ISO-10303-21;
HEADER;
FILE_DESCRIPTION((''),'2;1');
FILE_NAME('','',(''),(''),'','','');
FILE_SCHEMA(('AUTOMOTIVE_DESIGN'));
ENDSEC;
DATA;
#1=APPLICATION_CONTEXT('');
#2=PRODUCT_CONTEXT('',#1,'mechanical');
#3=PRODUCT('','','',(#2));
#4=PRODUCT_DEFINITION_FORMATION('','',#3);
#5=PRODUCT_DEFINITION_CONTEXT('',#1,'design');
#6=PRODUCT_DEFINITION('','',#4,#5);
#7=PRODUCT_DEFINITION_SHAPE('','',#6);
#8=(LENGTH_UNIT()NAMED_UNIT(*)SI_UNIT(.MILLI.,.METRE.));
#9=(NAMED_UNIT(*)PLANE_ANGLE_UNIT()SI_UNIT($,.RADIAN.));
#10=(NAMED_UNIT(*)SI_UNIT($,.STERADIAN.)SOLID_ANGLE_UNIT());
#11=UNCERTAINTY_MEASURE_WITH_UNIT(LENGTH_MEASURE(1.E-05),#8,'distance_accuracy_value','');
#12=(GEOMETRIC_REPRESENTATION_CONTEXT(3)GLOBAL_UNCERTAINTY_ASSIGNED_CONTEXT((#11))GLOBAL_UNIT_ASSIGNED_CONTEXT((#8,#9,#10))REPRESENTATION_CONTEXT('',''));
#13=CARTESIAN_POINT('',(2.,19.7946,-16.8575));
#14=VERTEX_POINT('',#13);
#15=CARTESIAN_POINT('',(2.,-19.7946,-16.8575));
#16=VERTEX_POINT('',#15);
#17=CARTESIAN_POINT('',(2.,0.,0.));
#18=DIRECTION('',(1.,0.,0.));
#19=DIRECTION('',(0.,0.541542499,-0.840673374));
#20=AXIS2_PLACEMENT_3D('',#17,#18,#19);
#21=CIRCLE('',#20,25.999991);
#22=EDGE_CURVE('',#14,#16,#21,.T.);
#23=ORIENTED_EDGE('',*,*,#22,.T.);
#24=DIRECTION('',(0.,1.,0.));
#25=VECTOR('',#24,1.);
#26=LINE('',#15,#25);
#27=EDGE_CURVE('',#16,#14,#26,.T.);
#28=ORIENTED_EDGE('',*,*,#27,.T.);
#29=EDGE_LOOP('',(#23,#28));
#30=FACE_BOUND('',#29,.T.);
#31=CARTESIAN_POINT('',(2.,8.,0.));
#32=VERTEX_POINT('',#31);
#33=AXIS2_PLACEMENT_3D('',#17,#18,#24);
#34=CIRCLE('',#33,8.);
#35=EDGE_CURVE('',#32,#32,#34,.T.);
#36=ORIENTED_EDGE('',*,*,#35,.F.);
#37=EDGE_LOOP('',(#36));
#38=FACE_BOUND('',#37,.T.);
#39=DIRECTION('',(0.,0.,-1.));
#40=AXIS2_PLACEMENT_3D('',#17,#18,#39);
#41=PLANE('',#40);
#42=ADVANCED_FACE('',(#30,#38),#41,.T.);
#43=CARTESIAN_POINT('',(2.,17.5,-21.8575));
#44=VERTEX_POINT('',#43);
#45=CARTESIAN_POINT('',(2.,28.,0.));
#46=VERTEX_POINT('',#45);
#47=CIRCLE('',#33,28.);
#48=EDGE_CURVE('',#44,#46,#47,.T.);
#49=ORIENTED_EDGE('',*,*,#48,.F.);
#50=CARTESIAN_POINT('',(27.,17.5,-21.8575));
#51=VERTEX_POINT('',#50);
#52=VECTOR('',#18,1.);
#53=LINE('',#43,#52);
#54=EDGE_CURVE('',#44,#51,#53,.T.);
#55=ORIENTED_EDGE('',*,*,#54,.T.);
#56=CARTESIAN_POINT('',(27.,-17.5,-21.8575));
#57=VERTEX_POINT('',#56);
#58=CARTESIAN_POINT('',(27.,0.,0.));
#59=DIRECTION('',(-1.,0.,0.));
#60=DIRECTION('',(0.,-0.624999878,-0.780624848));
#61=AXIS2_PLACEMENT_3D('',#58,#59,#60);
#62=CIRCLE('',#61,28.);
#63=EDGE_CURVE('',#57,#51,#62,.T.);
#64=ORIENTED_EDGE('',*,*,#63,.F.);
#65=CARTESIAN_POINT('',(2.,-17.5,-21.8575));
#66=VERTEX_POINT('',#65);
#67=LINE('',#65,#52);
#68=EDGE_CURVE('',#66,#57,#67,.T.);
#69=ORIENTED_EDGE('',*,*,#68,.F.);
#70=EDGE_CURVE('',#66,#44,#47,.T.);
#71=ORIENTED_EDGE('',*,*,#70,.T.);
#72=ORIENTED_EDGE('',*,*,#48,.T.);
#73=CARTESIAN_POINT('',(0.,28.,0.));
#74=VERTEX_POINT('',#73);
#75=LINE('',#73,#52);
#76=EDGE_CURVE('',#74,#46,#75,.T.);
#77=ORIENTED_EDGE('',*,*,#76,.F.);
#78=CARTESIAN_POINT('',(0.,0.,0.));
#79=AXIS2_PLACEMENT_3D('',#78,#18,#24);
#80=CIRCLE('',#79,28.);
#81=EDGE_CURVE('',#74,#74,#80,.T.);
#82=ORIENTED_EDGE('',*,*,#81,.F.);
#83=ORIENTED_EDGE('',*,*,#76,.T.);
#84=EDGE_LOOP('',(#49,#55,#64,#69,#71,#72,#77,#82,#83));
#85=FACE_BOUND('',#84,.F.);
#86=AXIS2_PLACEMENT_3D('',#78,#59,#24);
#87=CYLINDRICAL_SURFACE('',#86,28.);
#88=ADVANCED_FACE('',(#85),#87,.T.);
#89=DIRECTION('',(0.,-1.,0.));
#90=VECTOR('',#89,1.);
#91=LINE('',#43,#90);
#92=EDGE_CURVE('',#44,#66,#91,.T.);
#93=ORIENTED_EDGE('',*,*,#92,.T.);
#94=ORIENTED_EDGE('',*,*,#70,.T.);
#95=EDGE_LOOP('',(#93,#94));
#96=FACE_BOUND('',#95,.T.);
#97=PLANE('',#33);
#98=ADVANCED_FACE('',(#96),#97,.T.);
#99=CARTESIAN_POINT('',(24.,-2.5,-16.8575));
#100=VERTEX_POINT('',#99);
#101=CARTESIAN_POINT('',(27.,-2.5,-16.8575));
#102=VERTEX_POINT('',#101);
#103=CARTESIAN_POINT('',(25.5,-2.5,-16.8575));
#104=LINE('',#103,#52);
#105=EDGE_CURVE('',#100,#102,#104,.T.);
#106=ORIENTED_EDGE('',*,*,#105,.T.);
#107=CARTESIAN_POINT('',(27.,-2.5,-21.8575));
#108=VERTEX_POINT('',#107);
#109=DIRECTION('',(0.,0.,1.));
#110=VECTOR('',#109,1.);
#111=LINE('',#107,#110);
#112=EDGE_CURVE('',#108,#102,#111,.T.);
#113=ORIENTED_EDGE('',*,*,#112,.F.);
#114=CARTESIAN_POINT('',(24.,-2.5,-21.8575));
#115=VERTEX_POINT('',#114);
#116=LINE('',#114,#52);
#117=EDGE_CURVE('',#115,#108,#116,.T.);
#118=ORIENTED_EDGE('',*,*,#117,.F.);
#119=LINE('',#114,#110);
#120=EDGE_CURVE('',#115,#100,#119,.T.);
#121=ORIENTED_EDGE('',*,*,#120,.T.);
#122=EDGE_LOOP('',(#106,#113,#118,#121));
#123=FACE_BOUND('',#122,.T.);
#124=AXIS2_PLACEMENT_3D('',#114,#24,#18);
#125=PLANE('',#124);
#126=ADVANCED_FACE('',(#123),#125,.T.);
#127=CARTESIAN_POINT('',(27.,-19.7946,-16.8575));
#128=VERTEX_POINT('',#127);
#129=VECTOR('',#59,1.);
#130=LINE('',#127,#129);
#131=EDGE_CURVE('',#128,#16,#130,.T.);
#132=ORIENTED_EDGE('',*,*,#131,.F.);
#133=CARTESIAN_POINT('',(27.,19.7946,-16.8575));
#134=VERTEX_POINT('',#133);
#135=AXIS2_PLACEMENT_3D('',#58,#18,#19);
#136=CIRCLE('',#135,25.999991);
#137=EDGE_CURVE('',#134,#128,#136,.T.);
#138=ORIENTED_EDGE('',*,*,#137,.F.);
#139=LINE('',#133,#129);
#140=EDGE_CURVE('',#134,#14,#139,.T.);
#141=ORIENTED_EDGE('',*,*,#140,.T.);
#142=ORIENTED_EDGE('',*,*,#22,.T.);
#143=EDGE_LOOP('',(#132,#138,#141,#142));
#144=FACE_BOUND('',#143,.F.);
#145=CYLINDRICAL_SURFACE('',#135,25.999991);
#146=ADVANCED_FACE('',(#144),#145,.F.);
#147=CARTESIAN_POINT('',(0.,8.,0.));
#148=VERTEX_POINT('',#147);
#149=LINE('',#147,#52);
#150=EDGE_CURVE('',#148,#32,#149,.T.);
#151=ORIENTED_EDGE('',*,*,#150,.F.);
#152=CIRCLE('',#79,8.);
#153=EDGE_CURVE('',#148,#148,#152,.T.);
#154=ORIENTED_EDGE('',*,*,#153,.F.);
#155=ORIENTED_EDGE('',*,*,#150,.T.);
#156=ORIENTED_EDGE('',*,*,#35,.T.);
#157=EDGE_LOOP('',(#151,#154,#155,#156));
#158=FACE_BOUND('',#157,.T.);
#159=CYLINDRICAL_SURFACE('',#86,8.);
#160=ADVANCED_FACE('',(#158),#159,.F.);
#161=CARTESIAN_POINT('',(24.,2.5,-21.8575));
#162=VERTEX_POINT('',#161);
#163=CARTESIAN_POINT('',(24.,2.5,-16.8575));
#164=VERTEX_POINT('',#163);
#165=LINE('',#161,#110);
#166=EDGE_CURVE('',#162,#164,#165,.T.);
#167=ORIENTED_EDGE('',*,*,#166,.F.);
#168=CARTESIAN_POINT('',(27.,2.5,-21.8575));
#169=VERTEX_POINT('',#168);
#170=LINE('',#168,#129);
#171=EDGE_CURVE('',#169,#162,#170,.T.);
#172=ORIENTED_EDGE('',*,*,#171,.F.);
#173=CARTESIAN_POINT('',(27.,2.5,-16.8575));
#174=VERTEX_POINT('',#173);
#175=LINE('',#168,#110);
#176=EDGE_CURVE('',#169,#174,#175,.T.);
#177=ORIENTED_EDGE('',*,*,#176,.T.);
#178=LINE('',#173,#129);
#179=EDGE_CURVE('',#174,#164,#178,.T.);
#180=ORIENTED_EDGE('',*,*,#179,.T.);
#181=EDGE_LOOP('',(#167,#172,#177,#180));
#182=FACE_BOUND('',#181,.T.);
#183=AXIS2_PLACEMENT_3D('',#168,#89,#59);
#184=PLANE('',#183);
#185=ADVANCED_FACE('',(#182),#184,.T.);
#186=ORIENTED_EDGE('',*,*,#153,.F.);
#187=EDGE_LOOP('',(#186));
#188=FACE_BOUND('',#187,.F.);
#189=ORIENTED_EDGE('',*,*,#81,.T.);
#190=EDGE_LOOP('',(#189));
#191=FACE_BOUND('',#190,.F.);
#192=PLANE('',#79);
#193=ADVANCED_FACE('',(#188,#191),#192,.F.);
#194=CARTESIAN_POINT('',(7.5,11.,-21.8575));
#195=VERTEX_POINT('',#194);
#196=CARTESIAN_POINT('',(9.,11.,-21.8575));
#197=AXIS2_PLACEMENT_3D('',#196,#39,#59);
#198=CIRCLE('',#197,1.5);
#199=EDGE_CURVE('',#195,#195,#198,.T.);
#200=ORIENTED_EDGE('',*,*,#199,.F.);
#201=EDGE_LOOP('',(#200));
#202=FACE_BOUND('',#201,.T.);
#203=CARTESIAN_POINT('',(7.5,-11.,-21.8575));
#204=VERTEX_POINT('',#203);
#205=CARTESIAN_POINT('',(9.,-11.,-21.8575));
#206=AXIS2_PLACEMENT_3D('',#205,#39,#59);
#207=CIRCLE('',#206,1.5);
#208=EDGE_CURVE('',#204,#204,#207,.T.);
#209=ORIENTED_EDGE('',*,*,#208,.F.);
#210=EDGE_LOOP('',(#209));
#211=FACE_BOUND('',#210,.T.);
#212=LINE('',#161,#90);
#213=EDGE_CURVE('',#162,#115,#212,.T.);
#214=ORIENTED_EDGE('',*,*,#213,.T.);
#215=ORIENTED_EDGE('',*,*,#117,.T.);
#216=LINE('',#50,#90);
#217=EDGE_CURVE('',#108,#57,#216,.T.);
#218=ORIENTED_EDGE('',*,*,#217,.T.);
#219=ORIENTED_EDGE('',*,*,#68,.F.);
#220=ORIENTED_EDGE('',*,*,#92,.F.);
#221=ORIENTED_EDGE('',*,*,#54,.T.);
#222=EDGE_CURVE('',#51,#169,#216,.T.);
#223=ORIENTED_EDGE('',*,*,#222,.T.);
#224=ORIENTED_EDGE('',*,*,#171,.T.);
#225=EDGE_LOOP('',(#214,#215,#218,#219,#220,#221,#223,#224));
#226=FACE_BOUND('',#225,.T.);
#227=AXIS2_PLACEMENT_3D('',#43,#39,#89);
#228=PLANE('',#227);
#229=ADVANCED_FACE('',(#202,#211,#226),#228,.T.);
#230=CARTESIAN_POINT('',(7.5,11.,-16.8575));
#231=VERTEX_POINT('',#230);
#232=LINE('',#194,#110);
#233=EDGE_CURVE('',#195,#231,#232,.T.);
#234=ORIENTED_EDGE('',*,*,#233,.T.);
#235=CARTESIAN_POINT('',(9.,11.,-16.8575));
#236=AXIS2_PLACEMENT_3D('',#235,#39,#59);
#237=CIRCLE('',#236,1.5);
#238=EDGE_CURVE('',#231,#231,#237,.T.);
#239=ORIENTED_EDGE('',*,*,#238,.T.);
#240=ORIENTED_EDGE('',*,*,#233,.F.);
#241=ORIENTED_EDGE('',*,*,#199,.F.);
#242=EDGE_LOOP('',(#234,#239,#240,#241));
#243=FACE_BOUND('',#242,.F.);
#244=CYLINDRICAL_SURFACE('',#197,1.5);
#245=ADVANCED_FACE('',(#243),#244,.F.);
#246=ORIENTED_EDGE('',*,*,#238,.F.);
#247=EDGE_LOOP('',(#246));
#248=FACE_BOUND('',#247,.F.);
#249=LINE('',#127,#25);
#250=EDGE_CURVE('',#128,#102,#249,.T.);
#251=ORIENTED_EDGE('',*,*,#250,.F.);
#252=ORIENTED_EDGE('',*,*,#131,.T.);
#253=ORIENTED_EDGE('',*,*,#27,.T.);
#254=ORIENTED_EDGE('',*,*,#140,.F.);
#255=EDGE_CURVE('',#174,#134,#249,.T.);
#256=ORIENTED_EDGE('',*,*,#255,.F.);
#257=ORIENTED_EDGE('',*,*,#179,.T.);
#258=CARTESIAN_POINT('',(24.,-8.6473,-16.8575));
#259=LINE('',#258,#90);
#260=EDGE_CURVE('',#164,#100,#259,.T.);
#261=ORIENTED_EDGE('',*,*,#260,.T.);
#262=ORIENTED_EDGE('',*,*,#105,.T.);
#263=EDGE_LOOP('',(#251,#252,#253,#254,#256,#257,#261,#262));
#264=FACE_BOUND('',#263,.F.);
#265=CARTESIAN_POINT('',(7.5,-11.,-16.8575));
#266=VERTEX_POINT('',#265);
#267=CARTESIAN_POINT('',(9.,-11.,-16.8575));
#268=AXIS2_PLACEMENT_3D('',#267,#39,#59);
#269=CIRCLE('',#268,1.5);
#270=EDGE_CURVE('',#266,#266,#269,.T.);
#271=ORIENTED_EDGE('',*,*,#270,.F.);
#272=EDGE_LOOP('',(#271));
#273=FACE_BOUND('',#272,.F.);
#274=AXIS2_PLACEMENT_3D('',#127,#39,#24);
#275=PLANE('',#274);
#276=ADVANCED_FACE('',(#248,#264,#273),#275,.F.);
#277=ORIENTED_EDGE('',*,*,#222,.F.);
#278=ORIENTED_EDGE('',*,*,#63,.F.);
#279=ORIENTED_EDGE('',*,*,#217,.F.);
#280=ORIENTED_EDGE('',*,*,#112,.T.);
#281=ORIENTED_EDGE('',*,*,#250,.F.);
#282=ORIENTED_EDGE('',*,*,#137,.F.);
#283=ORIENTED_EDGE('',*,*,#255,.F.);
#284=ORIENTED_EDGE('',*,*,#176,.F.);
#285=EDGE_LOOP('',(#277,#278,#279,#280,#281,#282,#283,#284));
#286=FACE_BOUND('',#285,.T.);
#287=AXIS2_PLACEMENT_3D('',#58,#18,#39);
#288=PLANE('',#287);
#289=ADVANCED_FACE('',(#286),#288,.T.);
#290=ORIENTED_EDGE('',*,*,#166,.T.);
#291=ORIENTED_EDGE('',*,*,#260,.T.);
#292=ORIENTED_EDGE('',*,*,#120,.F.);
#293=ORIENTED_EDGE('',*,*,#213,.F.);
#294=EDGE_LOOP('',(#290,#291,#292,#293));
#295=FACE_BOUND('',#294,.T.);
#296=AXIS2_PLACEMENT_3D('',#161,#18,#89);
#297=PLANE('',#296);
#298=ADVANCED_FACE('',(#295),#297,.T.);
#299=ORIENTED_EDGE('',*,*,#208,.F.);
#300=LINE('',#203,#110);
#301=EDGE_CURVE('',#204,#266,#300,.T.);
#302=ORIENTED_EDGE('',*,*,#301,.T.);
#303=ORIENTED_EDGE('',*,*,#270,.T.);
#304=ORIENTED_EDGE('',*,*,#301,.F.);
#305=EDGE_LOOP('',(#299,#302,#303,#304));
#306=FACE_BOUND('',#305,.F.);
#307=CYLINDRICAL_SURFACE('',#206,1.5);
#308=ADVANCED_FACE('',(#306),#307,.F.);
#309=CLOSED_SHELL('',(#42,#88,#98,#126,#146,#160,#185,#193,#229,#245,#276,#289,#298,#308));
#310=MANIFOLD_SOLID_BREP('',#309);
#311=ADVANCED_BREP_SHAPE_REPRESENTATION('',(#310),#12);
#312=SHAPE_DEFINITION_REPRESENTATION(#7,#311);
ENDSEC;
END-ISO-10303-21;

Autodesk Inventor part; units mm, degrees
ref_plane "YZ Plane" through (0, 0, 0) normal (1, 0, 0) x (0, 1, 0)
ref_plane "XZ Plane" through (0, 0, 0) normal (0, 1, 0) x (-1, 0, 0)
ref_plane "XY Plane" through (0, 0, 0) normal (0, 0, 1) x (1, 0, 0)
sketch "スケッチ1" plane through (0, 0, 0) normal (1, 0, 0) x (0, 1, 0)
  circle A0 centre (0, 0) radius 28
  circle A1 centre (0, 0) radius 8
  dimension "d0" = 56
  dimension "d1" = 16
extrude "押し出し1" add sketch "スケッチ1" along normal blind 2
sketch "スケッチ2" plane through (2, 0, 0) normal (1, 0, 0) x (0, 0, -1)
  circle A0 centre (0, 0) radius 28 projected
  line L0 (21.8575, 17.5) -> (21.8575, -17.5)
  line L1 (19.8575, -19.7403) -> (19.8575, 19.7403)
  arc A1 (21.8575, 17.5) -> (19.8575, 19.7403) centre (0, 0) ccw
  arc A2 (17.6291, -21.7535) -> (21.8575, -17.5) centre (0, 0) ccw
  arc A3 (19.8575, 19.7403) -> (17.6291, -21.7535) centre (0, 0) ccw
  arc A4 (19.8575, 16.7833) -> (19.8575, -16.7833) centre (0, 0) ccw
  dimension "d4" = 2
  dimension "d30" = 35
  dimension "d31" = 2
extrude "押し出し2" add sketch "スケッチ2" along normal blind 25 contours L0 A0 L1 | L1 A4 A0 | L1 A4
sketch "スケッチ3" plane through (27, 0, 0) normal (1, 0, 0) x (0, 0, -1)
  circle A0 centre (0, 0) radius 28 projected
  line L0 (21.8575, -17.5) -> (21.8575, 17.5) projected
  line L1 (21.8575, 17.5) -> (21.8575, -17.5)
  arc A1 (21.8575, 17.5) -> (21.8575, -17.5) centre (0, 0) ccw
  arc A2 (21.8575, 14.0801) -> (21.8575, -14.0801) centre (0, 0) ccw
  line L2 (16.8575, -19.7946) -> (16.8575, 19.7946)
  dimension "d7" = 2
  dimension "d8" = 5
extrude "押し出し3" cut sketch "スケッチ3" against normal blind 25 contours L2 A2
sketch "スケッチ4" plane through (2, -17.5, -21.8575) normal (0, 0, -1) x (-1, 0, 0)
  line L0 (-25, 0) -> (-25, 35) projected
  line L1 (-25, 20) -> (-22, 20)
  line L2 (-22, 20) -> (-22, 15)
  line L3 (-22, 15) -> (-25, 15)
  line L4 (-25, 15) -> (-25, 20)
  line L5 (0, 35) -> (-25, 35) projected
  line L6 (0, 0) -> (-25, 0) projected
  point P0 (2, 17.5)
  dimension "d11" = 15
  dimension "d12" = 15
  dimension "d13" = 3
extrude "押し出し4" cut sketch "スケッチ4" against normal blind 25
sketch "スケッチ5" plane through (2, -17.5, -21.8575) normal (0, 0, -1) x (-1, 0, 0)
  circle A0 centre (-7, 6.5) radius 1.5
  circle A1 centre (-7, 28.5) radius 1.5
  line L0 (-13, 2.5) -> (-1, 2.5)
  line L1 (-1, 2.5) -> (-1, 32.5)
  line L2 (-1, 32.5) -> (-13, 32.5)
  line L3 (-13, 32.5) -> (-13, 2.5)
  line L4 (0, 35) -> (0, 0) projected
  line L5 (0, 35) -> (-25, 35) projected
  line L6 (0, 0) -> (-25, 0) projected
  point P0 (2, 17.5)
  dimension "d16" = 3
  dimension "d17" = 3
  dimension "d19" = 30
  dimension "d20" = 4
  dimension "d21" = 4
  dimension "d22" = 6
  dimension "d23" = 6
  dimension "d24" = 6
  dimension "d25" = 1
  dimension "d26" = 2.5
  dimension "d27" = 2.5
extrude "押し出し5" cut sketch "スケッチ5" against normal blind 25 contours A0 | A1
sketch "スケッチ6" plane through (2, -17.5, -21.8575) normal (0, 0, -1) x (-1, 0, 0)
  point P0 (2, 17.5)
properties part number "turn1part"
